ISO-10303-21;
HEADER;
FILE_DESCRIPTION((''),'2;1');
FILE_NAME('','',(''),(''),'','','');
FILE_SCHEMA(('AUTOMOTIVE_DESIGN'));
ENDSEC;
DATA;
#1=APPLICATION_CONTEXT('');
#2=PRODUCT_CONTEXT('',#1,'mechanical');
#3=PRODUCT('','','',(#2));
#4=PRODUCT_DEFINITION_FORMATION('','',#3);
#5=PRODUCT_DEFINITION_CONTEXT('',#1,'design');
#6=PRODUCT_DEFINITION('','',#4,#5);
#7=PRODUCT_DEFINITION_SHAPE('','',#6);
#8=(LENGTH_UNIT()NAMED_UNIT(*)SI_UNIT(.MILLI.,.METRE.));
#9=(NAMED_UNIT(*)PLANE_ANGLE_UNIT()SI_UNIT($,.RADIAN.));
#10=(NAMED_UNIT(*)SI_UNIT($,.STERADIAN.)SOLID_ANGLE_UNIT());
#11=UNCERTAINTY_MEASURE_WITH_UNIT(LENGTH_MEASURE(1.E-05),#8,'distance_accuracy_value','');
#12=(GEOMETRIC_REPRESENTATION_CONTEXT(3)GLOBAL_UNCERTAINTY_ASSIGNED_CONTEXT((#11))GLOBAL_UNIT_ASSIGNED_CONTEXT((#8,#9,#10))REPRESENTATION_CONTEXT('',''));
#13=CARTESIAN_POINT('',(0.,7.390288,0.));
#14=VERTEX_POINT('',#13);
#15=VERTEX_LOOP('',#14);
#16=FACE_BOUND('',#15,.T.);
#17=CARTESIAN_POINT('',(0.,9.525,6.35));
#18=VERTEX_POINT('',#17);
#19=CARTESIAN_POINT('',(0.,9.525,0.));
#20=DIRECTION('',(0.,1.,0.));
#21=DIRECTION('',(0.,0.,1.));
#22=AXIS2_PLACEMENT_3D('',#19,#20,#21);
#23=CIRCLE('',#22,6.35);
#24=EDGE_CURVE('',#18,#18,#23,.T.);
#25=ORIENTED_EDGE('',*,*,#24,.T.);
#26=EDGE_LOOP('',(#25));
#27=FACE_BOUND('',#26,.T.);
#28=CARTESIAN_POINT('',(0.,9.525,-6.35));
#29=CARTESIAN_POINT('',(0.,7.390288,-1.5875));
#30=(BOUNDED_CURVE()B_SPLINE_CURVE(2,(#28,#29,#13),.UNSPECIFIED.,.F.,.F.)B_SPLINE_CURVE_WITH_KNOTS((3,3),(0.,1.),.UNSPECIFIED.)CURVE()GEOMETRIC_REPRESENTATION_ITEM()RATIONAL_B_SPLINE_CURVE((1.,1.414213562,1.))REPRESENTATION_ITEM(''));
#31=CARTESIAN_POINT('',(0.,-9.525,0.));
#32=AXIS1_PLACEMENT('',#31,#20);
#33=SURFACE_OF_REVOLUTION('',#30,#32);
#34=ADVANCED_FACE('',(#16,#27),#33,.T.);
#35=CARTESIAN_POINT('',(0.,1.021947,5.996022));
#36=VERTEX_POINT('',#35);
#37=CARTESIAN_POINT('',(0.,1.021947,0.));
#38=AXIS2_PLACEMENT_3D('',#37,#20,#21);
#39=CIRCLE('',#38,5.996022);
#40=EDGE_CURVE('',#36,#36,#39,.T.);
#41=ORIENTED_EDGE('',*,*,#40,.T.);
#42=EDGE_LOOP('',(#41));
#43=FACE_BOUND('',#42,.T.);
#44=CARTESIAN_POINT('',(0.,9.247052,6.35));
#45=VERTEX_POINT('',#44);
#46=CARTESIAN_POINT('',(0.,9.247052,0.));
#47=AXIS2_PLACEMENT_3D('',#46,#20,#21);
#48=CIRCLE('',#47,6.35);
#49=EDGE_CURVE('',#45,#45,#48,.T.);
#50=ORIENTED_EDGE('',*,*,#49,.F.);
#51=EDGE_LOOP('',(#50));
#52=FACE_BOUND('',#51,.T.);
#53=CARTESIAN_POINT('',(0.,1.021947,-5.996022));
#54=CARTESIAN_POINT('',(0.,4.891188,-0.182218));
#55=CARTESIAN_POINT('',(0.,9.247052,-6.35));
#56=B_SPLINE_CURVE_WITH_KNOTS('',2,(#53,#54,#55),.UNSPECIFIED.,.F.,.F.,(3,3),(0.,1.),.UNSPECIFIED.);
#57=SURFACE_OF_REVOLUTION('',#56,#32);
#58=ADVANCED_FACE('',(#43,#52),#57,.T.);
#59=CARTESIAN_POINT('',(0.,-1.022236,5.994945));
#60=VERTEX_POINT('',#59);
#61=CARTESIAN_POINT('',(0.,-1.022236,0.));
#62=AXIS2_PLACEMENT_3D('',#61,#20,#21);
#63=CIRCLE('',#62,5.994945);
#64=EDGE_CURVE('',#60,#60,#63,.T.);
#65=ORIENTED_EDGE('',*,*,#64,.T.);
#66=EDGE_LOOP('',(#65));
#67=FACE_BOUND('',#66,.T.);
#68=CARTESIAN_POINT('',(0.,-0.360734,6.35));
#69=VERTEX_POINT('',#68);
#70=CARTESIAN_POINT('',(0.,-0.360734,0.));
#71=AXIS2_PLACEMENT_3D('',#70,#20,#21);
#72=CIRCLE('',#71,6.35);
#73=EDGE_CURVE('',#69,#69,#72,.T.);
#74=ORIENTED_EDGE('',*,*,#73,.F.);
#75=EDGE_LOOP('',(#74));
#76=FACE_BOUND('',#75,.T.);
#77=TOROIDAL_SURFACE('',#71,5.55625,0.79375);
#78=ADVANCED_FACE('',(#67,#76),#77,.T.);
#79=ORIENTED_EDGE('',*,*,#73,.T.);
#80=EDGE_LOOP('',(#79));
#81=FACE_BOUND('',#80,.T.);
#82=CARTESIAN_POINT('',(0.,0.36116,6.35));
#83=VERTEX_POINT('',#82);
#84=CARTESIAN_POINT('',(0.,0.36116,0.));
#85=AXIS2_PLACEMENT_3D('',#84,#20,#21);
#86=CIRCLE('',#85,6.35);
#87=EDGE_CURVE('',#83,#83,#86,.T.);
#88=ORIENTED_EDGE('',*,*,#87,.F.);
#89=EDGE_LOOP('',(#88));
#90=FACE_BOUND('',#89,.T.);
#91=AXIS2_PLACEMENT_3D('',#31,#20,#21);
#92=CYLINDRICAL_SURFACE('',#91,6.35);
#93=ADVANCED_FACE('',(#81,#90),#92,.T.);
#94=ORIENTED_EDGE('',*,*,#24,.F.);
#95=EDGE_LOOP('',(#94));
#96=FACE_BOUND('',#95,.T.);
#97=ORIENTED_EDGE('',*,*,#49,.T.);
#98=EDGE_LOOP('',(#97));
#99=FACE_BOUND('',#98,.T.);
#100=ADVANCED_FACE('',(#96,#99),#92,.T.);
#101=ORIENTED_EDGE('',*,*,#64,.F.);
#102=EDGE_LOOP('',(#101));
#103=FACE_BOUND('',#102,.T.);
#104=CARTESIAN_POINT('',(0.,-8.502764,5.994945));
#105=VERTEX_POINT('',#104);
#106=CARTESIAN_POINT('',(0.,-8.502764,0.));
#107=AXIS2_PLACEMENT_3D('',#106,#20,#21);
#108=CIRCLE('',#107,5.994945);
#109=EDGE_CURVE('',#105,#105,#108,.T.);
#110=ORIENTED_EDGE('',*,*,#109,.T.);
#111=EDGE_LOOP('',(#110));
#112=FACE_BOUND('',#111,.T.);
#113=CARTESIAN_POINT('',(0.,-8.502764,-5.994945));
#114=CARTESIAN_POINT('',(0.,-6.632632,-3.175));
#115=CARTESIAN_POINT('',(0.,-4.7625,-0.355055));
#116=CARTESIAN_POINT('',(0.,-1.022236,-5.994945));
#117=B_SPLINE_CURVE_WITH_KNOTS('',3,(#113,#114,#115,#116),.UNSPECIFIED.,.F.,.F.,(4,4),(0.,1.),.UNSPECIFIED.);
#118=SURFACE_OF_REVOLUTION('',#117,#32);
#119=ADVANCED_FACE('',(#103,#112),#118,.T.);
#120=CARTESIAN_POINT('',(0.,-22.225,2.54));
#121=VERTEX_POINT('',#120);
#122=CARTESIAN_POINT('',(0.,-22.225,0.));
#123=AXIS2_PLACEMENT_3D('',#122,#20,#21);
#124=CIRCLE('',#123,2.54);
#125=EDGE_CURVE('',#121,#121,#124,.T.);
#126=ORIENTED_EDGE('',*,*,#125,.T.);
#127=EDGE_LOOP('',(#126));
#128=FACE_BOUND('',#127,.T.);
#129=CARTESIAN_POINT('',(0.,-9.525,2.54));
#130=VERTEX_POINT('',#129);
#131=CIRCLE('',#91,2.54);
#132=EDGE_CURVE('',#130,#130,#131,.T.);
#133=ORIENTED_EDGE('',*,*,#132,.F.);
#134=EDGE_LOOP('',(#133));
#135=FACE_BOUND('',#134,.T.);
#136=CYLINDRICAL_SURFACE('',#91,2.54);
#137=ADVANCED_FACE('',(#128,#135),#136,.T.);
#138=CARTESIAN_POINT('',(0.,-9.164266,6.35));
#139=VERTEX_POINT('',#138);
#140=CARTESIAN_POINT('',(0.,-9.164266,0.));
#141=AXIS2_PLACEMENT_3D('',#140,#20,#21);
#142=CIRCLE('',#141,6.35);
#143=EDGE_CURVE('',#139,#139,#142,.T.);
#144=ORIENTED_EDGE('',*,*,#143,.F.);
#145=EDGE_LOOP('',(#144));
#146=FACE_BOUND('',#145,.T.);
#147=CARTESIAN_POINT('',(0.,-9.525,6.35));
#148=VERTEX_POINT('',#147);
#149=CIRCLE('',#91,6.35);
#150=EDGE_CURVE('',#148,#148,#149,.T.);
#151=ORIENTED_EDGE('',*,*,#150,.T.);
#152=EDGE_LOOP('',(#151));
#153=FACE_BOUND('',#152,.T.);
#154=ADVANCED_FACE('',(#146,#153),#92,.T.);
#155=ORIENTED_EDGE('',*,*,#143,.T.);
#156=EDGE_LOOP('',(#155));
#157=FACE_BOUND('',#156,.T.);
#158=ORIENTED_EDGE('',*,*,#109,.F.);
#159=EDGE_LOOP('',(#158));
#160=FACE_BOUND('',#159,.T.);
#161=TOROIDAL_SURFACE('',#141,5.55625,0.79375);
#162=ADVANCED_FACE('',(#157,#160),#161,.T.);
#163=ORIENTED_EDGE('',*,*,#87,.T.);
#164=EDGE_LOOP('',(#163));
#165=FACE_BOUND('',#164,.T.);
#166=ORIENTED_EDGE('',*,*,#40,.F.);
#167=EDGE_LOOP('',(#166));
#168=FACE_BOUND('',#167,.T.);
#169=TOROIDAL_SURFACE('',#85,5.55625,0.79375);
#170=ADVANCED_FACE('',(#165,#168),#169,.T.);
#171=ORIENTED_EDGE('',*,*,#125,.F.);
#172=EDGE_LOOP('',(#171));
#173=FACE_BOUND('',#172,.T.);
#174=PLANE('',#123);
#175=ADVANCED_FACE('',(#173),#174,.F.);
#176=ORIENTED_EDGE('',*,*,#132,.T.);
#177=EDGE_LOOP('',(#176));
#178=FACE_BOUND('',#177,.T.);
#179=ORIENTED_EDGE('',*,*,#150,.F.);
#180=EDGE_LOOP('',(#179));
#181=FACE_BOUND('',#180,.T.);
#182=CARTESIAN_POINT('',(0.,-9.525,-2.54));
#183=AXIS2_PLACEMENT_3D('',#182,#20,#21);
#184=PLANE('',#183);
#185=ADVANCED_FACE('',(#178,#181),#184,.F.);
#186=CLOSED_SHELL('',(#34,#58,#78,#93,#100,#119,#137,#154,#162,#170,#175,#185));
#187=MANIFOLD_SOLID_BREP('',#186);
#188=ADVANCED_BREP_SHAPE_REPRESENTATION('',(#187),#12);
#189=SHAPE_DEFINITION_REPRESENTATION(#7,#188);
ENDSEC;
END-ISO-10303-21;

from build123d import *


with BuildPart() as part:
    # Sketch1 → Revolve1 (revolve)
    with BuildSketch(Plane(origin=(0, 0, 0), x_dir=(0, 0, -1), z_dir=(1, 0, 0)), mode=Mode.PRIVATE) as revolve1_sk:
        with BuildLine():
            Line((0, 7.390287575), (0, -9.525))
            Line((0, -9.525), (0, -22.225))
            Line((0, -22.225), (2.54, -22.225))
            Line((2.54, -22.225), (2.54, -9.525))
            Line((2.54, -9.525), (6.35, -9.525))
            Line((6.35, -9.525), (6.35, -9.164266132))
            ThreePointArc((6.35, -9.164266132), (6.25562596, -8.788883222), (5.994945312, -8.502763687))
            add(Edge.make_bspline(
                [(5.994945312, -1.022236313), (0.355054688, -4.7625), (3.175, -6.632631843), (5.994945312, -8.502763687)],
                knots=[0, 0, 0, 0, 1, 1, 1, 1], degree=3))
            ThreePointArc((5.994945312, -1.022236313), (6.25562596, -0.736116778), (6.35, -0.360733868))
            Line((6.35, -0.360733868), (6.35, 0.361159933))
            ThreePointArc((6.35, 0.361159933), (6.255931261, 0.735973481), (5.996021554, 1.021947374))
            add(Edge.make_bspline(
                [(6.35, 9.247051697), (0.182218111, 4.891187644), (5.996021554, 1.021947374)],
                knots=[0, 0, 0, 1, 1, 1], degree=2))
            Line((6.35, 9.247051697), (6.35, 9.525))
            add(Edge.make_bspline(
                [(0, 7.390287575), (1.5875, 7.390287575), (6.35, 9.525)],
                knots=[0, 0, 0, 1, 1, 1], degree=2, weights=[1, 1.414213562, 1]))
        make_face()
    revolve(revolve1_sk.sketch.rotate(Axis((0, -9.525, 0), (0, -1, 0)), 180), axis=Axis((0, -9.525, 0), (0, -1, 0)))


solid = part.part
